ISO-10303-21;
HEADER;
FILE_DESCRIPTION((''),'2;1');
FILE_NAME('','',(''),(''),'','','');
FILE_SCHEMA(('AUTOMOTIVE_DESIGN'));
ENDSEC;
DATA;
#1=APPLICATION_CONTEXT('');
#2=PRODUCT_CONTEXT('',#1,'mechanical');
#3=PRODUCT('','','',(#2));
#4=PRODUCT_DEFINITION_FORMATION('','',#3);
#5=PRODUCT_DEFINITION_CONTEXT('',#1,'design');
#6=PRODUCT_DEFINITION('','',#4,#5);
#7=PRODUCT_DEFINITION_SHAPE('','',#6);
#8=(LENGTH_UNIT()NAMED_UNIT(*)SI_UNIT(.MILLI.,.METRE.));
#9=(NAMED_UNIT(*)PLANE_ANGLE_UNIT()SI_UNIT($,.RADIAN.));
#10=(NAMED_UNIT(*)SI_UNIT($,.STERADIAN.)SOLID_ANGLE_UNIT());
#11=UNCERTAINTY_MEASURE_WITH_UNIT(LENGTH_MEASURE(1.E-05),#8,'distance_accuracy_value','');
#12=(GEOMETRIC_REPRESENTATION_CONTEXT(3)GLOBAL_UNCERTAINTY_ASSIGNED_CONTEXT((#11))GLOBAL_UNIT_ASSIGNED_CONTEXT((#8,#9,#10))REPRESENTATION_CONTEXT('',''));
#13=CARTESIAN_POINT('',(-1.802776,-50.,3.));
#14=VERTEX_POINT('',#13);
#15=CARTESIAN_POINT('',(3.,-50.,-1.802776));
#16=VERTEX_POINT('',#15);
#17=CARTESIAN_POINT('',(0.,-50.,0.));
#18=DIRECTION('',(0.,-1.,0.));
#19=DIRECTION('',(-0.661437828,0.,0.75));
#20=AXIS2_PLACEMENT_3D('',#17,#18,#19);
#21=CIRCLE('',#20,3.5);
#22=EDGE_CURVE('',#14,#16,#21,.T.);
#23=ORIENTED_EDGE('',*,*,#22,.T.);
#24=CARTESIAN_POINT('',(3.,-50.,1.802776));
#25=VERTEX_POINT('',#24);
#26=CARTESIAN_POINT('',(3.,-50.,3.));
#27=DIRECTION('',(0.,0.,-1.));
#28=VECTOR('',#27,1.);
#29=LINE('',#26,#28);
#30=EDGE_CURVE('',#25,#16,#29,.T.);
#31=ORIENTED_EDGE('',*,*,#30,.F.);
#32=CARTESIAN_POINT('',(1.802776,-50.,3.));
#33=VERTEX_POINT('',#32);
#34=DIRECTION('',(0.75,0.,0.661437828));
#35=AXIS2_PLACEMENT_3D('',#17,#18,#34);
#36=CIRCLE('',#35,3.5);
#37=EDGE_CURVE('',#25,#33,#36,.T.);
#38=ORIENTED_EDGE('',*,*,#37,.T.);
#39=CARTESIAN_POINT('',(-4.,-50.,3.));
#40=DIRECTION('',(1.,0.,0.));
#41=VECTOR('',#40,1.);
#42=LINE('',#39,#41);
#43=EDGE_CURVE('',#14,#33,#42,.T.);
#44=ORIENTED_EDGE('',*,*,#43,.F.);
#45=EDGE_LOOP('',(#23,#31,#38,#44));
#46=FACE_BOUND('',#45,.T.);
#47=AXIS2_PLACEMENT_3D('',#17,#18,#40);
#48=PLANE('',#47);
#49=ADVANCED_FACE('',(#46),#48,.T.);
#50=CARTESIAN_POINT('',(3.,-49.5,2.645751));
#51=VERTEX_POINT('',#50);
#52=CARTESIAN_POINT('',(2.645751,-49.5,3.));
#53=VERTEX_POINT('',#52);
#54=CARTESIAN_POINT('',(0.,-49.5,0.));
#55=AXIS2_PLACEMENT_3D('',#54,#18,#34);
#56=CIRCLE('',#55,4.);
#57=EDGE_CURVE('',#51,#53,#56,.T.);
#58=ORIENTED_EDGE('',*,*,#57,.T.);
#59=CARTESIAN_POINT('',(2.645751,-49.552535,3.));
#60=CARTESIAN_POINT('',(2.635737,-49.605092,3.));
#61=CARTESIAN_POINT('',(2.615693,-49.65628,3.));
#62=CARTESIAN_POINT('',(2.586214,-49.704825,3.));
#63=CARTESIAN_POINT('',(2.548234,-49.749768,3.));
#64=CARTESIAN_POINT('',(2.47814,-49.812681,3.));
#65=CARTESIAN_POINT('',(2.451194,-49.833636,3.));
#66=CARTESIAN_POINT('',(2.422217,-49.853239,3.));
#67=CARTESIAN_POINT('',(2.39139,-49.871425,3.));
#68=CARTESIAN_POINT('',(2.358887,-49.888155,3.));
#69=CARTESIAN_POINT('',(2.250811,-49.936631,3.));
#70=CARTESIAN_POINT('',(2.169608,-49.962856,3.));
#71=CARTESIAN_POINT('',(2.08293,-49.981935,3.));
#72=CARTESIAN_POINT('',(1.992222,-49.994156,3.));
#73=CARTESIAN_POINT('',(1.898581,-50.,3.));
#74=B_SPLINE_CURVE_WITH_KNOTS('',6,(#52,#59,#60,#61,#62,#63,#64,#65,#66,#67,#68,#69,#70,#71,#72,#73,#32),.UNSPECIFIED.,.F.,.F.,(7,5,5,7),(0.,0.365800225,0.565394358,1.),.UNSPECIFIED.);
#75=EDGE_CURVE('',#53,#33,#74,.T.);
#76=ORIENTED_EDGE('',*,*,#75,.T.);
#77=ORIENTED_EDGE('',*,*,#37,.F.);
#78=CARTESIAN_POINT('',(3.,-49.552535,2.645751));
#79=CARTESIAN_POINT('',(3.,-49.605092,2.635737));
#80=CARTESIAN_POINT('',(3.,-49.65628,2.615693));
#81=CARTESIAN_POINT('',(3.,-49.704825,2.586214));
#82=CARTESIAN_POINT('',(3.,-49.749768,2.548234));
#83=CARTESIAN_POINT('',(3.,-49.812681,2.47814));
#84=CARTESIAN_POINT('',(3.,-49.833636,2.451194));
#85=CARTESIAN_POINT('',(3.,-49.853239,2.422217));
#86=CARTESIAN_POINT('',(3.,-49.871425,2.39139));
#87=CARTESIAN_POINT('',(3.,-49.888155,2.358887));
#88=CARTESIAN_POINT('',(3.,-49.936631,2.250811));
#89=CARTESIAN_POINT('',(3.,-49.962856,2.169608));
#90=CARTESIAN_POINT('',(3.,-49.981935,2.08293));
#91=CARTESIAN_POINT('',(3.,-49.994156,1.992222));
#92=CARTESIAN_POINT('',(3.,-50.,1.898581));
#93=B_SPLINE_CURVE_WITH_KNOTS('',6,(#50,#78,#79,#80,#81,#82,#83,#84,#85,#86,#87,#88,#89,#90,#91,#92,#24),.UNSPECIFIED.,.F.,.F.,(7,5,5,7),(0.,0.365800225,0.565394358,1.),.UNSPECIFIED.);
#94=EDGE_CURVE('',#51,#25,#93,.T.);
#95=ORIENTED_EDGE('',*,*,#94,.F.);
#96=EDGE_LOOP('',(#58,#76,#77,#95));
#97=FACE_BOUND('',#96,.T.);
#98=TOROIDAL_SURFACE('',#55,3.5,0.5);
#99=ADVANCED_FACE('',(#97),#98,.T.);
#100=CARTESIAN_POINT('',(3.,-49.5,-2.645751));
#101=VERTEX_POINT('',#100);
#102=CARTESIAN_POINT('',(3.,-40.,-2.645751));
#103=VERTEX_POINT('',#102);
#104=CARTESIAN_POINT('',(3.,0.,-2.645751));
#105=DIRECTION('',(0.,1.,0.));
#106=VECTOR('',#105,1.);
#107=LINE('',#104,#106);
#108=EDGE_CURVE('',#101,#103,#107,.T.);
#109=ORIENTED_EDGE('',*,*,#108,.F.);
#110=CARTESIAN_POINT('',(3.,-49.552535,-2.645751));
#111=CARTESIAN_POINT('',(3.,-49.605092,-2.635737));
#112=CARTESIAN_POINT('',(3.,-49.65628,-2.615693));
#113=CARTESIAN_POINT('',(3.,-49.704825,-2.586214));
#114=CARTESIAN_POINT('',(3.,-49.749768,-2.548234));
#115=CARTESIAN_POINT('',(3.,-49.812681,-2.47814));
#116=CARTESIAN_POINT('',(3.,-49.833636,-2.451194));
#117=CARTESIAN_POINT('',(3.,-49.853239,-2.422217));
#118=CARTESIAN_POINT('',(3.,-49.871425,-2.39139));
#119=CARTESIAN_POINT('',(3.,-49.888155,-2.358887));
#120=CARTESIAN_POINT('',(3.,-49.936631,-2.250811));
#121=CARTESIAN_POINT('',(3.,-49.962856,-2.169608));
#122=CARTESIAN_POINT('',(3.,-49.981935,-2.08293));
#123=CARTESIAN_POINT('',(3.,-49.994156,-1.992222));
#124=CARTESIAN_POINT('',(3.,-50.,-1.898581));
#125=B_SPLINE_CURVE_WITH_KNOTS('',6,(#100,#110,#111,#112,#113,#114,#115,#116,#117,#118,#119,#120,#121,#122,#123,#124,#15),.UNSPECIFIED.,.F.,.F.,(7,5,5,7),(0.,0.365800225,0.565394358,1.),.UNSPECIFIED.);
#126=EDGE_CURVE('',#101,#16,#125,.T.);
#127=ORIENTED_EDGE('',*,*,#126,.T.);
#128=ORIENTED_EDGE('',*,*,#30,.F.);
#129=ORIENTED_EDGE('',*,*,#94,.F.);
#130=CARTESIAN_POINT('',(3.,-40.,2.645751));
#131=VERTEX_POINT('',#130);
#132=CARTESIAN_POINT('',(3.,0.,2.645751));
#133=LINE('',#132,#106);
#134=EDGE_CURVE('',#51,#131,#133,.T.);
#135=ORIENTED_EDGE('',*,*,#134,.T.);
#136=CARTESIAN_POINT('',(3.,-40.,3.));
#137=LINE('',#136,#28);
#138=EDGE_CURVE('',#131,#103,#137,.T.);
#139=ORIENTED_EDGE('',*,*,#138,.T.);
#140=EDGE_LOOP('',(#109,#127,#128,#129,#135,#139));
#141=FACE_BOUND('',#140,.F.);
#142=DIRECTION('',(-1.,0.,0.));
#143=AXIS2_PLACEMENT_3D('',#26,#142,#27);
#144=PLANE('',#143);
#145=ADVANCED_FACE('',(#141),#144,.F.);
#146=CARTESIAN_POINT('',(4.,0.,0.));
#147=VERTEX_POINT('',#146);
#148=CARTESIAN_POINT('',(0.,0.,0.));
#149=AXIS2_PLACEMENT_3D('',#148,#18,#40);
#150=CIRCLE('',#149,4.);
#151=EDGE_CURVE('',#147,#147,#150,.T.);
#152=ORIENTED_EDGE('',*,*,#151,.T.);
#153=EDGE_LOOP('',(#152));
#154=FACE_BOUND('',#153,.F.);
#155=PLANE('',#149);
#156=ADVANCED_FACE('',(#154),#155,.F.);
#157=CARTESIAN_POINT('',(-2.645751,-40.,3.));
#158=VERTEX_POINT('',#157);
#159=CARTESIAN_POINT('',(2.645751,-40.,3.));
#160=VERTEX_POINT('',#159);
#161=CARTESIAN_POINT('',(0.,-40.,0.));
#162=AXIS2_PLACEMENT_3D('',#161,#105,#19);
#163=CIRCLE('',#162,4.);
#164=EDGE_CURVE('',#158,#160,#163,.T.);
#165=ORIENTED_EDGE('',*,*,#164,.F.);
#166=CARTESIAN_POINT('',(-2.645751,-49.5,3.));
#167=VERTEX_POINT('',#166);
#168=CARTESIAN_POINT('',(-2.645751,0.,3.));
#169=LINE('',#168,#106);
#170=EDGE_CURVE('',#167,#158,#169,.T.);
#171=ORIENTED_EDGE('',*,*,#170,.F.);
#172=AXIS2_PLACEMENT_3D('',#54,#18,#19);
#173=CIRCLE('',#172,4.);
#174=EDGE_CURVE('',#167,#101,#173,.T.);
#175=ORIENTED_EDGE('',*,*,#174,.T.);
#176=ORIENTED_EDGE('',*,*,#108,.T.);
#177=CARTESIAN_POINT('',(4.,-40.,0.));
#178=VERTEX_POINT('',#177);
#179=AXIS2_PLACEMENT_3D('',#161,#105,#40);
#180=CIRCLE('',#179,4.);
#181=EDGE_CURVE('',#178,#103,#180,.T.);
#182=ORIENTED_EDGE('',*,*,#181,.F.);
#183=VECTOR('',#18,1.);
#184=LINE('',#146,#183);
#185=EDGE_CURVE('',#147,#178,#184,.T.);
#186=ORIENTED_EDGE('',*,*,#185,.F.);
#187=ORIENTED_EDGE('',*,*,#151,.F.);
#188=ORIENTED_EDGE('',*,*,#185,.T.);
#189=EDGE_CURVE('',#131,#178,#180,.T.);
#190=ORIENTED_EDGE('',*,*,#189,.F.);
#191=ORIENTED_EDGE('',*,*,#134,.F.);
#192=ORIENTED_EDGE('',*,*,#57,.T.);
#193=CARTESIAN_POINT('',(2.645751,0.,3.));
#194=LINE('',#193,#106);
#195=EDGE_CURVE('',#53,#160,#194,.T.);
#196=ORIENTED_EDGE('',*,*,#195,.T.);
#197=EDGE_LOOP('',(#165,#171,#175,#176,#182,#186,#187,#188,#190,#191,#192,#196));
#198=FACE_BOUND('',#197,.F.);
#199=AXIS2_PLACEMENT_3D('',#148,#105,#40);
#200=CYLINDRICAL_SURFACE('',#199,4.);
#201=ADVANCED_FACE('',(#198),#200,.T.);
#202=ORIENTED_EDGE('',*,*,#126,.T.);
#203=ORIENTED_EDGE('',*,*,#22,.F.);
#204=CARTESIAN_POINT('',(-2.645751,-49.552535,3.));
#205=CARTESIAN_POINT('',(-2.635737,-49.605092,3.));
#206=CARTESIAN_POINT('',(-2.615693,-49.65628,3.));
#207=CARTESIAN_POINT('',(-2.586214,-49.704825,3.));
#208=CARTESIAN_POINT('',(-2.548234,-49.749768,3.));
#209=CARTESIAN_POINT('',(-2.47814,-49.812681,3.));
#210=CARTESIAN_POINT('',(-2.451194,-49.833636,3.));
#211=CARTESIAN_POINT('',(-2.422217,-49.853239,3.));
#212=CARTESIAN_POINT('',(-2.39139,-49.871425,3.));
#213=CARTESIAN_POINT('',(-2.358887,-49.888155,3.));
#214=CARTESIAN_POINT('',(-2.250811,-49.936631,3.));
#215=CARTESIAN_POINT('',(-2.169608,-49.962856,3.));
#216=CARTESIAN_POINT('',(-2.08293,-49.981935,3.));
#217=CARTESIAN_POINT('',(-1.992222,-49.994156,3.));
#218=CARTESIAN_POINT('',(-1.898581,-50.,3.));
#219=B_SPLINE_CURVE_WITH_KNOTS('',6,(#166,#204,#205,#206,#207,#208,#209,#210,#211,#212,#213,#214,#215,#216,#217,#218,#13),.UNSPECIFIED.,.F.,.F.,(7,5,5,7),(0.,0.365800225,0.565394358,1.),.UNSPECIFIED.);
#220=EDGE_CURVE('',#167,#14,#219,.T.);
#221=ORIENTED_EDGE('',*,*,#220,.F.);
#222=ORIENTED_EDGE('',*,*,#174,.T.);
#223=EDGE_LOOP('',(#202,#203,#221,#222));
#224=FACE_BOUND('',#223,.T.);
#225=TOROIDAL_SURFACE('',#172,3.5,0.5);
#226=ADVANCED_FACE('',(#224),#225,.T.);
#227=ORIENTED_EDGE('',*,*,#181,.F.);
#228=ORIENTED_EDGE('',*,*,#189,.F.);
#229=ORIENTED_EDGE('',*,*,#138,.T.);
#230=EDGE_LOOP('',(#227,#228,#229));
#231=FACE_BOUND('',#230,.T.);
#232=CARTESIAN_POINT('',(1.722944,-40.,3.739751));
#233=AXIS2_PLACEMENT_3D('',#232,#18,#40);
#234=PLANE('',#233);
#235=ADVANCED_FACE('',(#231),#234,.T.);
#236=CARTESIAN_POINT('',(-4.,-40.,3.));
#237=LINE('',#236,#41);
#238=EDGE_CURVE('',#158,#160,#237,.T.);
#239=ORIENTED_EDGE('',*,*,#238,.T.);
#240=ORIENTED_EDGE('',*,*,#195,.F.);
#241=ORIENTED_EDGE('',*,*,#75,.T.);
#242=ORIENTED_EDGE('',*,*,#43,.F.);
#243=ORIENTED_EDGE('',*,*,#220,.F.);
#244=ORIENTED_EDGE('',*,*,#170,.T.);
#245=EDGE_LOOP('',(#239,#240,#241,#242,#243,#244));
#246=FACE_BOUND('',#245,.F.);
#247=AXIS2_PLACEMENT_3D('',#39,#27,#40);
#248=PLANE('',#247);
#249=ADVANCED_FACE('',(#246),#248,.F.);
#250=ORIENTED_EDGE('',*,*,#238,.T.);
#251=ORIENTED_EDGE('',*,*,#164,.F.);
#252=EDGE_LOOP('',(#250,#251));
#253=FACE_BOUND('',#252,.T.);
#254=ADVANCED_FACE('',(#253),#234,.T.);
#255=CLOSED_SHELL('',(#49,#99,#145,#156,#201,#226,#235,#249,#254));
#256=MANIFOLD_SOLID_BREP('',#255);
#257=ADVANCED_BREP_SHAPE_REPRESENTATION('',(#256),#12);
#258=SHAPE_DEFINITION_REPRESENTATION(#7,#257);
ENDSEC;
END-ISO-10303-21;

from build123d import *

# Parameters (mm, degrees)
F0_R     = 4
F1_DEPTH = 50
F2_W     = 1
F2_H     = 1
F3_DEPTH = 10
F4_R     = 0.5


with BuildPart() as f1:
    # F0 (on Front) → F1 (new body)
    with BuildSketch(Plane.XZ):
        Circle(F0_R)
    extrude(amount=F1_DEPTH)

    # F2 (on face) → F3 (cut)
    with BuildSketch(Plane.XZ.offset(50)):
        with BuildLine():
            Line((2.6457513111, 3), (3, 3))
            Line((3, 3), (3, 4))
            Line((3, 4), (0, 4))
            ThreePointArc((0, 4), (1.4142135624, 3.7416573868), (2.6457513111, 3))
        make_face()
        with Locations((3.5, 3.5)):
            Rectangle(F2_W, F2_H)
        with BuildLine():
            Line((-4, 3), (-2.6457513111, 3))
            ThreePointArc((-2.6457513111, 3), (-1.4142135624, 3.7416573868), (0, 4))
            Line((0, 4), (-4, 4))
            Line((-4, 4), (-4, 3))
        make_face()
        with BuildLine():
            Line((4, 0), (4, 3))
            Line((4, 3), (3, 3))
            Line((3, 3), (3, 2.6457513111))
            ThreePointArc((3, 2.6457513111), (3.7416573868, 1.4142135624), (4, 0))
        make_face()
        with BuildLine():
            Line((4, -4), (4, 0))
            ThreePointArc((4, 0), (3.7416573868, -1.4142135624), (3, -2.6457513111))
            Line((3, -2.6457513111), (3, -4))
            Line((3, -4), (4, -4))
        make_face()
        with BuildLine():
            Line((-2.6457513111, 3), (2.6457513111, 3))
            ThreePointArc((2.6457513111, 3), (1.4142135624, 3.7416573868), (0, 4))
            ThreePointArc((0, 4), (-1.4142135624, 3.7416573868), (-2.6457513111, 3))
        make_face()
        with BuildLine():
            ThreePointArc((3, -2.6457513111), (3.7416573868, -1.4142135624), (4, 0))
            ThreePointArc((4, 0), (3.7416573868, 1.4142135624), (3, 2.6457513111))
            Line((3, 2.6457513111), (3, -2.6457513111))
        make_face()
    extrude(amount=-F3_DEPTH, mode=Mode.SUBTRACT)

    # F4
    f4_edges = [f1.edges().sort_by_distance(p)[0] for p in [
        (2.828427, -50, 2.828427),
        (-2.828427, -50, -2.828427),
    ]]
    fillet(f4_edges, radius=F4_R)


solid = f1.part
